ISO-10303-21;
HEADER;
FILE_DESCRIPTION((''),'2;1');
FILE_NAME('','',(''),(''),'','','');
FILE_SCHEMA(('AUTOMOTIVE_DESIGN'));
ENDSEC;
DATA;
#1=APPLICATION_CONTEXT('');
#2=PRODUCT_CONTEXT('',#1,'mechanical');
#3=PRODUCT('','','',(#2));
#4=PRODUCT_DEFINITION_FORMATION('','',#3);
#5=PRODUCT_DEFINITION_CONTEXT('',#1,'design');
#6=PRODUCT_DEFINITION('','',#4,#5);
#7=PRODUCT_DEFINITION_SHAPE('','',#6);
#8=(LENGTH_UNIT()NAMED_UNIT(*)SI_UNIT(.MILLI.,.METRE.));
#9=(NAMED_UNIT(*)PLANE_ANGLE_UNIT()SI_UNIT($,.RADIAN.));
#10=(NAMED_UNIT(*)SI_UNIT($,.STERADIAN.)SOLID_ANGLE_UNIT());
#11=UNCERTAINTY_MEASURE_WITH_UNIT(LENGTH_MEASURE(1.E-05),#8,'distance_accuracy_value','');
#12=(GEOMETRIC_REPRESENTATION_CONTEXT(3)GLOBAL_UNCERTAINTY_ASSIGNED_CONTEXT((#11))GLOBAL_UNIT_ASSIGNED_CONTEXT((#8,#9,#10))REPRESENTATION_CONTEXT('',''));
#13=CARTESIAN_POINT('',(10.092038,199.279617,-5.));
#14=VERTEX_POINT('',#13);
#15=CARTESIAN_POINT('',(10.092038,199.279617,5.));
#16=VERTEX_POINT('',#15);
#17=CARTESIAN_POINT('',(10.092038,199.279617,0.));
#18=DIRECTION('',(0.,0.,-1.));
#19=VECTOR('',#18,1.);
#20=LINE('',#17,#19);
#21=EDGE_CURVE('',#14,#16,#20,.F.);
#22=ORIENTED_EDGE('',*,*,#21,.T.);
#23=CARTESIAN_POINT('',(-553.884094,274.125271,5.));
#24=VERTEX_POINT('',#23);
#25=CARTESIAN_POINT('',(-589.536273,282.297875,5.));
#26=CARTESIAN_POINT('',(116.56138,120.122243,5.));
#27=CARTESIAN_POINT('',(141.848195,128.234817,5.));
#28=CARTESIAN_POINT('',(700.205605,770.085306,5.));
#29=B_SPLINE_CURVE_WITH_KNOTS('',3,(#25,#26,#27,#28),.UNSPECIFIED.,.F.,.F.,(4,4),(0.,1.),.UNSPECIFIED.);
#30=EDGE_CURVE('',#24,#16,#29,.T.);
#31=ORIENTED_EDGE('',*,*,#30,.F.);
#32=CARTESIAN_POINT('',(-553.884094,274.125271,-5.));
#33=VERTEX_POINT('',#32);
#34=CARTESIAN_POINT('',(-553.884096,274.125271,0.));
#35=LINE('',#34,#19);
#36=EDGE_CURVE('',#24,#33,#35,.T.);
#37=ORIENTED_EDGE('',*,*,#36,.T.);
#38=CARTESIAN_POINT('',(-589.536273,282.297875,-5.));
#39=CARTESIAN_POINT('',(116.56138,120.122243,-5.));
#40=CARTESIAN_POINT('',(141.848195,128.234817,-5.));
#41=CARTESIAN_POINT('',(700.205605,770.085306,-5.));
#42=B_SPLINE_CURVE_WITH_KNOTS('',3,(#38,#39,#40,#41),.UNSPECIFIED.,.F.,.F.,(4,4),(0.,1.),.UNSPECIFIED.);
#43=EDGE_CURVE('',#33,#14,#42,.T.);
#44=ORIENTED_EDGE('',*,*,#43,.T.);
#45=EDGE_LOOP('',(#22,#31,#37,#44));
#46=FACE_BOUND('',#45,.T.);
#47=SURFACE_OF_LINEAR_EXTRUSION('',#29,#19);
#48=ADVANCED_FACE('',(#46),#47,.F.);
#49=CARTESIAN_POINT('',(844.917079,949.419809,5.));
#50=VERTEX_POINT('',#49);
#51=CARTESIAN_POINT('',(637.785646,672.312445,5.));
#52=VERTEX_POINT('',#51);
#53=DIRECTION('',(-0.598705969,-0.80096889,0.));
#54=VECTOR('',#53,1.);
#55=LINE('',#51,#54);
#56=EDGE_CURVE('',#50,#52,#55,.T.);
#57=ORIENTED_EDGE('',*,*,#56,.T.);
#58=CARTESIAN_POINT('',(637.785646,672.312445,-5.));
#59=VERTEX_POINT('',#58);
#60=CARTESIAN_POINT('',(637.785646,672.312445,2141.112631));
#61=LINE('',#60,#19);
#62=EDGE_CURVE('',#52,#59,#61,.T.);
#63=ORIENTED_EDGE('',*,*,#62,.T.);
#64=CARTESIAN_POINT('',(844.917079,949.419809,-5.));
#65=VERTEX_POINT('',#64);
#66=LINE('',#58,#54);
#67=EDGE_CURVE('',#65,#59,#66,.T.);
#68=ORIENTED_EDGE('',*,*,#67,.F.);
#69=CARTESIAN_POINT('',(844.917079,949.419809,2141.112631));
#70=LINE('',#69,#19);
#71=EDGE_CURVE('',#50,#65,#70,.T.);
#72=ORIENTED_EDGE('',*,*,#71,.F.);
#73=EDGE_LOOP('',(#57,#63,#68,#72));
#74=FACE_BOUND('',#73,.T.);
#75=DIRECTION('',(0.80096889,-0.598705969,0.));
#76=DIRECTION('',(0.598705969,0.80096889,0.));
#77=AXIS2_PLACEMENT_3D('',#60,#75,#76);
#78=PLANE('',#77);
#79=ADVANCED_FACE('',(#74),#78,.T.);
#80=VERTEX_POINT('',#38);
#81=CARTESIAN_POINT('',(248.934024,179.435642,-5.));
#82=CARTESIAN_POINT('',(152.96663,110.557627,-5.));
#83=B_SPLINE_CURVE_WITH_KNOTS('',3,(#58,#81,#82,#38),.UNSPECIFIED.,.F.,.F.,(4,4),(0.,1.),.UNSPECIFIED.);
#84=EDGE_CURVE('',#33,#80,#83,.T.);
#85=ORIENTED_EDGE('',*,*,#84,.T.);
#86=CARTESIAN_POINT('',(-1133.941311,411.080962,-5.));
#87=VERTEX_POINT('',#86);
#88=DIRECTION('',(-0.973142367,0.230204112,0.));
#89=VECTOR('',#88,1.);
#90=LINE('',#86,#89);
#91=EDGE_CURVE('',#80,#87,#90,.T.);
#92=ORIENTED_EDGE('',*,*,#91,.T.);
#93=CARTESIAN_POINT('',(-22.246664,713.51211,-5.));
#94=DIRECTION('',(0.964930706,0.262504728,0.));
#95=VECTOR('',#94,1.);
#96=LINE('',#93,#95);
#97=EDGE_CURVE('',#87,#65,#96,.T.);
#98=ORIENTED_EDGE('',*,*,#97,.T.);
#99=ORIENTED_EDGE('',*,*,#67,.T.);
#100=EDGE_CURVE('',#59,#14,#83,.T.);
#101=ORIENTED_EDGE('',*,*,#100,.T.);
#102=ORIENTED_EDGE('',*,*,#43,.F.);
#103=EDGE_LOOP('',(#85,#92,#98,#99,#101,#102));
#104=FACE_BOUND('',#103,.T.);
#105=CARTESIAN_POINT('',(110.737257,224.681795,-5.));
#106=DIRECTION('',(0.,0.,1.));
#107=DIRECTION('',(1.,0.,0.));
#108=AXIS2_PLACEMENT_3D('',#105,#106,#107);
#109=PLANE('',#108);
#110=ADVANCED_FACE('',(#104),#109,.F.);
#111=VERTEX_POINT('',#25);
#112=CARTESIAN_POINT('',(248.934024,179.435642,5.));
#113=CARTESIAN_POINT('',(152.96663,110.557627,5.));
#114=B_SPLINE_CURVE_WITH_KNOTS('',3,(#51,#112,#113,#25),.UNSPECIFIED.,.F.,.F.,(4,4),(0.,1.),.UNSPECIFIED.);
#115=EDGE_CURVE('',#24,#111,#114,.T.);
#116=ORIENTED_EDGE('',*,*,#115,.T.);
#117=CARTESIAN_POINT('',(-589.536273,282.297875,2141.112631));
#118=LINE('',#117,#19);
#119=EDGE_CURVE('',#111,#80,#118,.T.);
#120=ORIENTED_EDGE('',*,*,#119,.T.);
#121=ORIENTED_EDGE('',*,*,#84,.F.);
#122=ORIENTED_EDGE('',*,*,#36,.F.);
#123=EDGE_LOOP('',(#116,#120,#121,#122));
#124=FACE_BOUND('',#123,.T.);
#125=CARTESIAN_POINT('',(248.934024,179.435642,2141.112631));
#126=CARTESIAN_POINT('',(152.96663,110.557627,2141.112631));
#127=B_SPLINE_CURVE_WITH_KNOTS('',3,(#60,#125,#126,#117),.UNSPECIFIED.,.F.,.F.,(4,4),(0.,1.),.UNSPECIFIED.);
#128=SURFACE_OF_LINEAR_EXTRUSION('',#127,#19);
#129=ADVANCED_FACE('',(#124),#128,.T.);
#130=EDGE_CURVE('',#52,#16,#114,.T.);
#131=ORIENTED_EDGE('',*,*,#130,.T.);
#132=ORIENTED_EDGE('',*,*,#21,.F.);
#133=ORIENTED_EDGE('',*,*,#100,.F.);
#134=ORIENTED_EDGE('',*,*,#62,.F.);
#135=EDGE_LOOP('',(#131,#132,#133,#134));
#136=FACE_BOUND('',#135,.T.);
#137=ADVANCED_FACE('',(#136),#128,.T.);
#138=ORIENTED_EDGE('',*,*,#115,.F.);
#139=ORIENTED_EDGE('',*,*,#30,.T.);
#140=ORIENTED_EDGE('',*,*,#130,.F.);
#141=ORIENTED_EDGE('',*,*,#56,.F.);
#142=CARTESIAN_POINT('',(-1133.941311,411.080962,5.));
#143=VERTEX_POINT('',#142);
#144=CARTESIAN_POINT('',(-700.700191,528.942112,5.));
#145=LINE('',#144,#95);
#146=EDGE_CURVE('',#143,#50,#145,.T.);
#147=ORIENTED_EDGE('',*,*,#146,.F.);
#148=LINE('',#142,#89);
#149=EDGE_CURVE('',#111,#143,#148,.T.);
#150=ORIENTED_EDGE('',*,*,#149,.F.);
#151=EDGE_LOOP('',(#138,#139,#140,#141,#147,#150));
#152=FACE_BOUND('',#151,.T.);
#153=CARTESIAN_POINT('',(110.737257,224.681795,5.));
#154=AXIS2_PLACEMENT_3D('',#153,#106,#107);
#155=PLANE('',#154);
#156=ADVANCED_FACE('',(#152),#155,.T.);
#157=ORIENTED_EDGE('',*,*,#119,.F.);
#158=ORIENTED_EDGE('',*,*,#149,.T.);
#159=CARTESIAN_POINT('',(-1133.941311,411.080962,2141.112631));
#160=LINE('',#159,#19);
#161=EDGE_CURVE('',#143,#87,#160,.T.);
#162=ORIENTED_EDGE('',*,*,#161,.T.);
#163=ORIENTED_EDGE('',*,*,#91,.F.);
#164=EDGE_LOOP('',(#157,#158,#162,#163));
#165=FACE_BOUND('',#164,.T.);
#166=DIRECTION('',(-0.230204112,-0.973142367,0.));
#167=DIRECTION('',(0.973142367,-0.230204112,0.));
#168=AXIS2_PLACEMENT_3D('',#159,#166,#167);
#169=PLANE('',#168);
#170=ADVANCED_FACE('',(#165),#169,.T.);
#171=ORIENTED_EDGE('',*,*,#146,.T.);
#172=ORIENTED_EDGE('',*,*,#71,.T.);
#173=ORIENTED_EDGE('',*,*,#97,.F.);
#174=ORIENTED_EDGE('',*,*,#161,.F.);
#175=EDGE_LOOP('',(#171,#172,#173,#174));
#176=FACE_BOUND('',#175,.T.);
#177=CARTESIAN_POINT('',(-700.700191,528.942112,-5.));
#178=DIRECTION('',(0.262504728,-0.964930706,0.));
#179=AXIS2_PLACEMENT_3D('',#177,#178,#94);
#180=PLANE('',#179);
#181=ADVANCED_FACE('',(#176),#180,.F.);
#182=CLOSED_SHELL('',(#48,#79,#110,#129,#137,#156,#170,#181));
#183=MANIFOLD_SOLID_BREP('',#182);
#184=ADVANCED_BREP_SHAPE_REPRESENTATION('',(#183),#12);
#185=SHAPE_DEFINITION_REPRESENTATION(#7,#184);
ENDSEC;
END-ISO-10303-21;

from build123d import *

# Parameters (mm, degrees)
EXTRUDE_1_DEPTH          = 5
CUT_EXTRUDE_1_DEPTH      = 1202.322110811
CUT_EXTRUDE_1_DEPTH_BACK = 1202.322110811
EXTRUDE_2_DEPTH          = 10


with BuildPart() as part:
    # Эскиз11 → Бобышка-Вытянуть1 (new, symmetric)
    with BuildSketch(Plane.XY):
        with BuildLine():
            Line((636.463912705, 976.146466683), (700.205604925, 770.085305884))
            add(Edge.make_bspline(
                [(700.205604925, 770.085305884), (141.848194954, 128.23481722), (116.561380271, 120.122243094), (-589.536273057, 282.297875154)],
                knots=[0, 0, 0, 0, 1, 1, 1, 1], degree=3))
            Line((-589.536273057, 282.297875154), (-589.536273057, 976.146466683))
            Line((-589.536273057, 976.146466683), (636.463912705, 976.146466683))
        make_face()
    extrude(amount=EXTRUDE_1_DEPTH, both=True)

    # Эскиз12 → Вырез-Вытянуть1 (cut, two sides: drawn at the far end of the back side and taken through both)
    with BuildSketch(Plane.XY.offset(-CUT_EXTRUDE_1_DEPTH_BACK)):
        Polygon((-700.700191259, 528.942112061), (706.16734826, 911.673616779), (340.903623972, 1222.525422138), (-820.682545159, 1079.972181823), align=None)
    extrude(amount=CUT_EXTRUDE_1_DEPTH + CUT_EXTRUDE_1_DEPTH_BACK, mode=Mode.SUBTRACT)


with BuildPart() as cut_extrude_1_piece_1:
    # of the separate pieces the step leaves, piece 1, a body of its own (cut_extrude_1_pieces)
    add(part.part.solids().sort_by_distance((660.269941789, 899.187449498, 5))[0])

    # Эскиз14 → Бобышка-Вытянуть2 (add)
    with BuildSketch(Plane(origin=(0, 0, -5), x_dir=(-1, 0, 0), z_dir=(0, 0, -1))):
        with BuildLine():
            Line((1133.941311309, 411.08096229), (589.536273057, 282.297875154))
            add(Edge.make_bspline(
                [(-637.785646163, 672.312444588), (-248.934023891, 179.435642483), (-152.966629698, 110.557627429), (589.536273057, 282.297875154)],
                knots=[0, 0, 0, 0, 1, 1, 1, 1], degree=3))
            Line((-637.785646163, 672.312444588), (-844.917078579, 949.419809347))
            Line((-844.917078579, 949.419809347), (-660.269941789, 899.187449498))
            Line((-660.269941789, 899.187449498), (1133.941311309, 411.08096229))
        make_face()
    extrude(amount=-EXTRUDE_2_DEPTH)


with BuildPart() as cut_extrude_1_piece_2:
    # of the separate pieces the step leaves, piece 2, a body of its own (cut_extrude_1_pieces)
    add(part.part.solids().sort_by_distance((636.463912705, 976.146466683, -5))[0])


solid = cut_extrude_1_piece_1.part
